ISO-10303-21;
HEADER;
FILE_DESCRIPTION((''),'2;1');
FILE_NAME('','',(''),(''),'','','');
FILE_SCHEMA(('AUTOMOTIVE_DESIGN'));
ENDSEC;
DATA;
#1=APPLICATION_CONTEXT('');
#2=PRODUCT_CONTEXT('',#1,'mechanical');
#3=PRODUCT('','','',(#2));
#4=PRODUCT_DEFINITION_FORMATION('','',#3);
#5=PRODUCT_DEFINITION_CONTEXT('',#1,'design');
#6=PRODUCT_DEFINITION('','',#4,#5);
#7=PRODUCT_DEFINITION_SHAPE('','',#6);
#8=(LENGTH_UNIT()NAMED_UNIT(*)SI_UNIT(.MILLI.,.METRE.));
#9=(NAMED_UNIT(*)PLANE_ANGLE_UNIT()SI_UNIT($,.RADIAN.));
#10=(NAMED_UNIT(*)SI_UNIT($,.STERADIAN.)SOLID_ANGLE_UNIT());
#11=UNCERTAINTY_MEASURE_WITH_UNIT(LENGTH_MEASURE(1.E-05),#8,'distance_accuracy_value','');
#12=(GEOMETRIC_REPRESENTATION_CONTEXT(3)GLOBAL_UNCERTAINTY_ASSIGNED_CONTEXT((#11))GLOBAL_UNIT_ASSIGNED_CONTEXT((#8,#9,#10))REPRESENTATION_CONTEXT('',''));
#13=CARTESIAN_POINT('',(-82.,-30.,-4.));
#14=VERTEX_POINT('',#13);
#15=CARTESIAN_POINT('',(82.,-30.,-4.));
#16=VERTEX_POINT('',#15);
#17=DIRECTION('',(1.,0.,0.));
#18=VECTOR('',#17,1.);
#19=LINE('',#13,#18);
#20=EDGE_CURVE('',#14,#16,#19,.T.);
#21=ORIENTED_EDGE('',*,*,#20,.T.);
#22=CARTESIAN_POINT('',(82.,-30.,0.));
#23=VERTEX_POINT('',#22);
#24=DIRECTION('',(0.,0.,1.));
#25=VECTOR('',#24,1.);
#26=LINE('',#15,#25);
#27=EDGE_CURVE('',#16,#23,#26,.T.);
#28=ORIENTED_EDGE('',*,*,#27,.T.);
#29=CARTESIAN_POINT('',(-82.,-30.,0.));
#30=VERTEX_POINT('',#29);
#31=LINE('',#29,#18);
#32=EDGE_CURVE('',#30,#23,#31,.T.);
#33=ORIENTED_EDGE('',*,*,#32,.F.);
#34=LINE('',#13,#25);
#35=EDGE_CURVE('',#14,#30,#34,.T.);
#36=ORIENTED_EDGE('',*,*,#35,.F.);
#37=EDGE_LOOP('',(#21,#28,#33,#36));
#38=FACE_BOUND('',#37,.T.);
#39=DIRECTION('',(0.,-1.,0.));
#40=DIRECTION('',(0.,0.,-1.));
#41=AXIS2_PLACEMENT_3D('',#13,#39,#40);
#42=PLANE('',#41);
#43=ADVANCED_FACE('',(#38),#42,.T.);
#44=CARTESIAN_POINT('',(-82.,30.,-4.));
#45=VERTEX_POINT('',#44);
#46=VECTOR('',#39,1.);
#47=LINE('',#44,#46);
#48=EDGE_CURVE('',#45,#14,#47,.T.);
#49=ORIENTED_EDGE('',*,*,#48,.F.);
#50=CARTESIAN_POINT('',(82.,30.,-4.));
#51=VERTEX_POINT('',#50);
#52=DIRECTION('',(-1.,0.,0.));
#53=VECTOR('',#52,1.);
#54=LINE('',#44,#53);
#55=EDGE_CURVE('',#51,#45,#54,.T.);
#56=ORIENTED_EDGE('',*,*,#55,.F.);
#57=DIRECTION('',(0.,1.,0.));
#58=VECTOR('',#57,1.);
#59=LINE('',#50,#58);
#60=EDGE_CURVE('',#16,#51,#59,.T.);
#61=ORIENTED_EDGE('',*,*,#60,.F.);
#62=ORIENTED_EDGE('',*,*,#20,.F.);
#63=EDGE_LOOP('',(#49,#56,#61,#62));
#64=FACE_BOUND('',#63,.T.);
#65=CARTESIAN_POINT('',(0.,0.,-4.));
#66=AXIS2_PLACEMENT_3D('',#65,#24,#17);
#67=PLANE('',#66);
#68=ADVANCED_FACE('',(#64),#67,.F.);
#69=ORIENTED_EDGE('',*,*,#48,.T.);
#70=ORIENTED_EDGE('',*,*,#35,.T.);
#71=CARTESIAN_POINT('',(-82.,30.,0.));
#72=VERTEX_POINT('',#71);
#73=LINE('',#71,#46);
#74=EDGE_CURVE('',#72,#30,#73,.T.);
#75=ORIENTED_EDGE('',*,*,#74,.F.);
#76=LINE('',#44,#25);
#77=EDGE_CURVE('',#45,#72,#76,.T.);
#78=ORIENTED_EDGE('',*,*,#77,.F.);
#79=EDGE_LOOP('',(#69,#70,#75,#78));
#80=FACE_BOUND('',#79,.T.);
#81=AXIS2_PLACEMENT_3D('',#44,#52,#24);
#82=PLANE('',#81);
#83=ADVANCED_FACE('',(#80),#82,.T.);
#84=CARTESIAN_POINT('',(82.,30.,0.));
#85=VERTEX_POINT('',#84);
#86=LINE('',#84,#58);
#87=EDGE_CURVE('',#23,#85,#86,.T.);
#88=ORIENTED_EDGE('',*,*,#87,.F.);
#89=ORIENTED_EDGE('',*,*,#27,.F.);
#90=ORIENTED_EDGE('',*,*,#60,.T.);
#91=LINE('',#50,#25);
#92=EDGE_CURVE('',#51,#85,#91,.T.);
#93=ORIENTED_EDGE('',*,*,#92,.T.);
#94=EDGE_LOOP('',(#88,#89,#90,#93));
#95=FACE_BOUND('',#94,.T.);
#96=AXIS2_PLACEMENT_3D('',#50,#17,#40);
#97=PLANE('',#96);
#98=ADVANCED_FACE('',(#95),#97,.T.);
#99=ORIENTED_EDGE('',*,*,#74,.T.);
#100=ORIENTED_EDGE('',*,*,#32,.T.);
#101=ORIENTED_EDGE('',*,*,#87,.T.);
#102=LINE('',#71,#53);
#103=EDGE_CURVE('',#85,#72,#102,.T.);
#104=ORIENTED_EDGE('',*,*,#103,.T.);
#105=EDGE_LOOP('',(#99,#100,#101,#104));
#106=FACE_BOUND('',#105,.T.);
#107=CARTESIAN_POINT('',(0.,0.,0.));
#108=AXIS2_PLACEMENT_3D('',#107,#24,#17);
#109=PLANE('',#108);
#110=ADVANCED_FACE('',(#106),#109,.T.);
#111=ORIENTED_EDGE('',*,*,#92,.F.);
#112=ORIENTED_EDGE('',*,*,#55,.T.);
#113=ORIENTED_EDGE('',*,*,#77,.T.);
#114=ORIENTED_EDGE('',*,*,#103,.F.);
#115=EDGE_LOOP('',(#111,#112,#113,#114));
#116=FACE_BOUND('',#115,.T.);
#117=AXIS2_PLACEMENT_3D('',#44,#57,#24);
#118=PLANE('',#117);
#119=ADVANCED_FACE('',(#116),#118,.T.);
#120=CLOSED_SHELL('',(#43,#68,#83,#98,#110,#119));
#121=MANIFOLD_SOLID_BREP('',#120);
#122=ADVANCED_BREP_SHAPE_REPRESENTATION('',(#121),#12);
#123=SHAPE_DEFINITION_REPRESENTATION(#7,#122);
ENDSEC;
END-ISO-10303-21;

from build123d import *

# Parameters (mm, degrees)
SKETCH1_W           = 164
SKETCH1_H           = 60
BOSS_EXTRUDE1_DEPTH = 4


with BuildPart() as part:
    # Sketch1 → Boss-Extrude1 (new body)
    with BuildSketch(Plane.XY):
        Rectangle(SKETCH1_W, SKETCH1_H)
    extrude(amount=-BOSS_EXTRUDE1_DEPTH)


solid = part.part
